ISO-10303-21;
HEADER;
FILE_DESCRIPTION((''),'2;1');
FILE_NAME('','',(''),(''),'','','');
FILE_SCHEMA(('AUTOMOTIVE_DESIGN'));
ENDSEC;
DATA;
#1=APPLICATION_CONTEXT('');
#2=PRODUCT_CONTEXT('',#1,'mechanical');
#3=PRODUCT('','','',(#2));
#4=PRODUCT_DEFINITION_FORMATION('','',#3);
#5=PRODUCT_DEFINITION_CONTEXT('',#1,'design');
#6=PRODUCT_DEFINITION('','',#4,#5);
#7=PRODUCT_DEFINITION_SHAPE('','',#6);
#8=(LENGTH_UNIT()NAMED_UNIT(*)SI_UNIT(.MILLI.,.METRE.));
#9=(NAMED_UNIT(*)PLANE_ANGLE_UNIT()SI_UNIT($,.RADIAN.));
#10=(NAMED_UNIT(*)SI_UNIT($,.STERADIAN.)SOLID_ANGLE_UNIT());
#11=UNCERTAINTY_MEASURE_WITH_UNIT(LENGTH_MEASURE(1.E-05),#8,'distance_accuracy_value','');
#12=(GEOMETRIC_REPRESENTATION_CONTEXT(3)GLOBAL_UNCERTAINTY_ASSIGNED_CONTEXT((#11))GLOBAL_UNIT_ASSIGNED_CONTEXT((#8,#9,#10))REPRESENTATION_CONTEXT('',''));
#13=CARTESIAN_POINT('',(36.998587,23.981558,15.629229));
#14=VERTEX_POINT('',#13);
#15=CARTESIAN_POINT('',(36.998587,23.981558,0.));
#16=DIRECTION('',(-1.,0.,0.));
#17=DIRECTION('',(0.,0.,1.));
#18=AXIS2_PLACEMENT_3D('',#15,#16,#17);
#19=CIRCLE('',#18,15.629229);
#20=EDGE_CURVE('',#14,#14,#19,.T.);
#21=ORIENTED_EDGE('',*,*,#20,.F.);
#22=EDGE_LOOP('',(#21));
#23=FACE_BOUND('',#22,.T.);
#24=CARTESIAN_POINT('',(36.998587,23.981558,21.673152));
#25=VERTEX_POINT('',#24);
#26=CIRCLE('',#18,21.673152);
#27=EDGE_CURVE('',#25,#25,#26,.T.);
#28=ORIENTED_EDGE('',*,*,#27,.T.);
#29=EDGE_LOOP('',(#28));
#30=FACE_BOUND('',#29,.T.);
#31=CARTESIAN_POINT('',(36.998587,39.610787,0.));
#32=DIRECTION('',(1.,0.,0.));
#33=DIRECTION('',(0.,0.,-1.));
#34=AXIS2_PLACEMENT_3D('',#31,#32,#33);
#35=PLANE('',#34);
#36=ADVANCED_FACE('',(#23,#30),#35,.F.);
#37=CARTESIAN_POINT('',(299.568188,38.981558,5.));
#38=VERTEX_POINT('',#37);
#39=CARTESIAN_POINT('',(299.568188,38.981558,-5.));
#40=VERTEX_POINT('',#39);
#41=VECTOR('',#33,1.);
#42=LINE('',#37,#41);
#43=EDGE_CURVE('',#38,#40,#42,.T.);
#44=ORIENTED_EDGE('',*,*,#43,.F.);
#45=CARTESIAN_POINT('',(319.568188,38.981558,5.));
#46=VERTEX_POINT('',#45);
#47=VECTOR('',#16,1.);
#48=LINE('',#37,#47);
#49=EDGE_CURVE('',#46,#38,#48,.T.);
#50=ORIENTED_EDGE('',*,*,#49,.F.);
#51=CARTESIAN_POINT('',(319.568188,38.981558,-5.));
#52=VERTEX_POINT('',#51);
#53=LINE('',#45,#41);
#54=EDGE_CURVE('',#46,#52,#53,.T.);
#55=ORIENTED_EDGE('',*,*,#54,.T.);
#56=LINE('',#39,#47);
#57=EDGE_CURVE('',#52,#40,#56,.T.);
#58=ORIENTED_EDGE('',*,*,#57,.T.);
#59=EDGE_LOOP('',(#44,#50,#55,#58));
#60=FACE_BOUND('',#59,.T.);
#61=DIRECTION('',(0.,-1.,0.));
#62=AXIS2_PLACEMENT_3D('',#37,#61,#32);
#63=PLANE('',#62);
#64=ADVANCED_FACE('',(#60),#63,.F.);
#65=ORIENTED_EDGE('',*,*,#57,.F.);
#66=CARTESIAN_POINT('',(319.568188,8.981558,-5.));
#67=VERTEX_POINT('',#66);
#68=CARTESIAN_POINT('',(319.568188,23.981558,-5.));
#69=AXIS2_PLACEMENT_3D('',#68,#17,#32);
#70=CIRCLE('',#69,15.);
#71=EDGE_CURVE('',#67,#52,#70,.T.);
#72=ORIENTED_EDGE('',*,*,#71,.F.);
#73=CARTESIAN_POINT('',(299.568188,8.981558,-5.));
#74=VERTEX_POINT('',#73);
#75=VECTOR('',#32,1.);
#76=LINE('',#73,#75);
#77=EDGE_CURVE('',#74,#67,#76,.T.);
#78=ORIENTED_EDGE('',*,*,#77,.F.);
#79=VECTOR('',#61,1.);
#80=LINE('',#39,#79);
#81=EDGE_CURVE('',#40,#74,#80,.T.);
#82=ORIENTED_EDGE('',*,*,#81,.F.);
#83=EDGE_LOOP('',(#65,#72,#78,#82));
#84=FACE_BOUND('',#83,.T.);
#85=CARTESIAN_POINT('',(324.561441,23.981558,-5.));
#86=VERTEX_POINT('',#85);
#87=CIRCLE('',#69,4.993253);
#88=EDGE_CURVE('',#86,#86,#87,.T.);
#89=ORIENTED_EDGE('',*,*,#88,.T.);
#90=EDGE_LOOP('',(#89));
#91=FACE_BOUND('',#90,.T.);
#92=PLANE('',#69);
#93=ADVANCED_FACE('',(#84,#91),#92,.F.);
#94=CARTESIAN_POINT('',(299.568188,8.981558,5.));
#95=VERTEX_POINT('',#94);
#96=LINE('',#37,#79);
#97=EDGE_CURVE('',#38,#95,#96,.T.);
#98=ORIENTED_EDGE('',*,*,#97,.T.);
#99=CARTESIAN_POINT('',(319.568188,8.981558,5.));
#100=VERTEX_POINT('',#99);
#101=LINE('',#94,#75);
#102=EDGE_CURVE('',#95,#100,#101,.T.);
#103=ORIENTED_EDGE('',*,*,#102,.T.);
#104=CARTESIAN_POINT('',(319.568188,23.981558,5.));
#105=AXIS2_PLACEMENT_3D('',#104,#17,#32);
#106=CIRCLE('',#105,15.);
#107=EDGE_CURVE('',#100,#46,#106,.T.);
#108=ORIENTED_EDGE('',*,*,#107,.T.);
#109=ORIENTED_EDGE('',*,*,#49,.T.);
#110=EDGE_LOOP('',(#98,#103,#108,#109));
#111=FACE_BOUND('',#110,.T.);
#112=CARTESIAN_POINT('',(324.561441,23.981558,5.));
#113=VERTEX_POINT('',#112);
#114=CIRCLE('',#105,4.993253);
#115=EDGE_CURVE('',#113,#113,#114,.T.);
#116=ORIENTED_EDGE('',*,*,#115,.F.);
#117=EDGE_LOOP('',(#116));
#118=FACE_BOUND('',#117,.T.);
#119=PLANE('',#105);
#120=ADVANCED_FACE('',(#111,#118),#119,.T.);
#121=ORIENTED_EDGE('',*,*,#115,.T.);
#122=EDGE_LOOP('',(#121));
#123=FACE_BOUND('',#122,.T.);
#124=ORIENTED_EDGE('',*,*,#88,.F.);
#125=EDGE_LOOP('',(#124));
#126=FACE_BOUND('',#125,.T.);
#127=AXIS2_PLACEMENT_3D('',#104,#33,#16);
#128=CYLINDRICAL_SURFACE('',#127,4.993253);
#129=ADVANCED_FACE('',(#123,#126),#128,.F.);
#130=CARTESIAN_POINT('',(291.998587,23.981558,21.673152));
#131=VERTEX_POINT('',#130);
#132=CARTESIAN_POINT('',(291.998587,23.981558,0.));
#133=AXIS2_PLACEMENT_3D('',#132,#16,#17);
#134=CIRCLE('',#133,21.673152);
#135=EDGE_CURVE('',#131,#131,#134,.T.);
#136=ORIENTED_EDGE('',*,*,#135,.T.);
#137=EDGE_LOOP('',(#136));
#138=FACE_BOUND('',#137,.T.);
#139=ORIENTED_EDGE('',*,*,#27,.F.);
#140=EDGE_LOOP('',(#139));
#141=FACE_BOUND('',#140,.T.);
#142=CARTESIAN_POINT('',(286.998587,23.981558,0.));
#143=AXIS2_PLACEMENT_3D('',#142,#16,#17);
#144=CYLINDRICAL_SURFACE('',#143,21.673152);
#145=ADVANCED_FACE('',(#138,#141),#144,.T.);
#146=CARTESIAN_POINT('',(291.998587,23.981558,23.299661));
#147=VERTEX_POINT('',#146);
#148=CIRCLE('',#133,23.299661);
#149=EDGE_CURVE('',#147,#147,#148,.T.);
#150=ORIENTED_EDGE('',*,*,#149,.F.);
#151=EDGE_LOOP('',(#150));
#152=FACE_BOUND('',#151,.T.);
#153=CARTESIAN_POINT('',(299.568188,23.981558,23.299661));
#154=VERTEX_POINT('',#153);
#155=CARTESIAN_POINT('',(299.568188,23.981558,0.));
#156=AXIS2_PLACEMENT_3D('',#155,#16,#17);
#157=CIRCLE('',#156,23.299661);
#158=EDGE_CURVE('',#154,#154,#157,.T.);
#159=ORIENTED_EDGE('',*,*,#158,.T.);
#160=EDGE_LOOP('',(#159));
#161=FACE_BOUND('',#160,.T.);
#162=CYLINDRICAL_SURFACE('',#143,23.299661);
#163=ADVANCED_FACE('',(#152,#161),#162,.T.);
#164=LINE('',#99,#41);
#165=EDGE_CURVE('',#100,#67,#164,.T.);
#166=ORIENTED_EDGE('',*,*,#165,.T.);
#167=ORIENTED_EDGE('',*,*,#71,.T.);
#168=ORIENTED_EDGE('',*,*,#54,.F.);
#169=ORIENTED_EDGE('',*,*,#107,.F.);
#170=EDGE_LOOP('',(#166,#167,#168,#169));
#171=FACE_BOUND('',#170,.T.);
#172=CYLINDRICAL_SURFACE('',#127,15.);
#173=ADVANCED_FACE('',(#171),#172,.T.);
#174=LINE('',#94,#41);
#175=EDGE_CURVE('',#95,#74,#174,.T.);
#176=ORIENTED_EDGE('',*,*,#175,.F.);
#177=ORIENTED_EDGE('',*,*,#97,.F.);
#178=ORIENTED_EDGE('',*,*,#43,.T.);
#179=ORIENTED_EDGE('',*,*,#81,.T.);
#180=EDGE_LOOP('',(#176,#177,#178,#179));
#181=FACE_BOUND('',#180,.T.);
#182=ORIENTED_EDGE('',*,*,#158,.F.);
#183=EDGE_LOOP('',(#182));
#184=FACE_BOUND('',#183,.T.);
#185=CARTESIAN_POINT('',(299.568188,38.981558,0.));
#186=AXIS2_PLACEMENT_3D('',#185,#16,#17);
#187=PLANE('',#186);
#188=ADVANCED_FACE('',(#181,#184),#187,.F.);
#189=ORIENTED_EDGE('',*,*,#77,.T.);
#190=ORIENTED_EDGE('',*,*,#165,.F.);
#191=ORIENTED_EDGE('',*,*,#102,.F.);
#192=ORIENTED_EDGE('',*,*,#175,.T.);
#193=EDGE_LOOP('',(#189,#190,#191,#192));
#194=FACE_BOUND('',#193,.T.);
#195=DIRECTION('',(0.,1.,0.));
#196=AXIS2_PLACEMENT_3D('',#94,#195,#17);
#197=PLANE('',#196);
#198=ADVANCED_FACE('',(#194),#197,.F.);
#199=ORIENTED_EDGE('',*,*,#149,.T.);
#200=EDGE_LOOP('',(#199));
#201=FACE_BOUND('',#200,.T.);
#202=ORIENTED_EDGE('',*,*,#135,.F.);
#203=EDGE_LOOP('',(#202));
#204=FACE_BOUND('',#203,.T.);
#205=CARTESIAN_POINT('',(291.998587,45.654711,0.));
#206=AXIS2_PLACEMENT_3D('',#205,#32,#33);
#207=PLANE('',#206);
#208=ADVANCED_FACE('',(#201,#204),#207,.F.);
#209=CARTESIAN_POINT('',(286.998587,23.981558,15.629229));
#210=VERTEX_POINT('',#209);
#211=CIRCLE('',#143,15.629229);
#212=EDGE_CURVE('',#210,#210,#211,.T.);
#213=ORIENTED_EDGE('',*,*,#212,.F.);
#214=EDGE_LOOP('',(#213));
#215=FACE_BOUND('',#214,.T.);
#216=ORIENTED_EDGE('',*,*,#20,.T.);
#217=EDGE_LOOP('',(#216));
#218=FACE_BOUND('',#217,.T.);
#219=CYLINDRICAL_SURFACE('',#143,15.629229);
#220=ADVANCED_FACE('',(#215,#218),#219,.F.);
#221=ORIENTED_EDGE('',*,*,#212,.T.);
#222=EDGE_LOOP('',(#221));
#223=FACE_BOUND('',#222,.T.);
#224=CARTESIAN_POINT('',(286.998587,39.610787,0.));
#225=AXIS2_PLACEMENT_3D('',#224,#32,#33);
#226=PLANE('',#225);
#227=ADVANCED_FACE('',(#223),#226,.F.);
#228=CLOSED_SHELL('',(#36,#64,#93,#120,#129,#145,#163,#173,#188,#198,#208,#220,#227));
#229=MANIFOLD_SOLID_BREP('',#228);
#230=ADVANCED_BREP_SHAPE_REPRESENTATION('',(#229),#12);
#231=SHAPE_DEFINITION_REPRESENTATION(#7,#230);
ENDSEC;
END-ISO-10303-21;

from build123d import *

# Parameters (mm, degrees)
SKETCH1_R           = 4.993252943
BOSS_EXTRUDE2_DEPTH = 5


with BuildPart() as part:
    # Sketch1 → Boss-Extrude2 (new, symmetric)
    with BuildSketch(Plane.XY):
        with BuildLine():
            Line((299.568188368, 38.981558344), (319.568188368, 38.981558344))
            ThreePointArc((319.568188368, 38.981558344), (334.568188368, 23.981558344), (319.568188368, 8.981558344))
            Line((319.568188368, 8.981558344), (299.568188368, 8.981558344))
            Line((299.568188368, 8.981558344), (299.568188368, 38.981558344))
        make_face()
        with Locations((319.568188368, 23.981558344)):
            Circle(SKETCH1_R, mode=Mode.SUBTRACT)
    extrude(amount=BOSS_EXTRUDE2_DEPTH, both=True)

    # Sketch3 → Revolve3 (revolve)
    with BuildSketch(Plane.XY, mode=Mode.PRIVATE) as revolve3_sk:
        Polygon((291.998587327, 45.654710618), (291.998587327, 47.281219247), (299.568188368, 47.281219247), (299.568188368, 38.981558344), (299.568188368, 23.981558344), (286.998587327, 23.981558344), (286.998587327, 39.61078701), (36.998587327, 39.61078701), (36.998587327, 45.654710618), align=None)
    revolve(revolve3_sk.sketch.rotate(Axis((286.998587327, 23.981558344, 0), (1, 0, 0)), 90), axis=Axis((286.998587327, 23.981558344, 0), (1, 0, 0)))


solid = part.part
